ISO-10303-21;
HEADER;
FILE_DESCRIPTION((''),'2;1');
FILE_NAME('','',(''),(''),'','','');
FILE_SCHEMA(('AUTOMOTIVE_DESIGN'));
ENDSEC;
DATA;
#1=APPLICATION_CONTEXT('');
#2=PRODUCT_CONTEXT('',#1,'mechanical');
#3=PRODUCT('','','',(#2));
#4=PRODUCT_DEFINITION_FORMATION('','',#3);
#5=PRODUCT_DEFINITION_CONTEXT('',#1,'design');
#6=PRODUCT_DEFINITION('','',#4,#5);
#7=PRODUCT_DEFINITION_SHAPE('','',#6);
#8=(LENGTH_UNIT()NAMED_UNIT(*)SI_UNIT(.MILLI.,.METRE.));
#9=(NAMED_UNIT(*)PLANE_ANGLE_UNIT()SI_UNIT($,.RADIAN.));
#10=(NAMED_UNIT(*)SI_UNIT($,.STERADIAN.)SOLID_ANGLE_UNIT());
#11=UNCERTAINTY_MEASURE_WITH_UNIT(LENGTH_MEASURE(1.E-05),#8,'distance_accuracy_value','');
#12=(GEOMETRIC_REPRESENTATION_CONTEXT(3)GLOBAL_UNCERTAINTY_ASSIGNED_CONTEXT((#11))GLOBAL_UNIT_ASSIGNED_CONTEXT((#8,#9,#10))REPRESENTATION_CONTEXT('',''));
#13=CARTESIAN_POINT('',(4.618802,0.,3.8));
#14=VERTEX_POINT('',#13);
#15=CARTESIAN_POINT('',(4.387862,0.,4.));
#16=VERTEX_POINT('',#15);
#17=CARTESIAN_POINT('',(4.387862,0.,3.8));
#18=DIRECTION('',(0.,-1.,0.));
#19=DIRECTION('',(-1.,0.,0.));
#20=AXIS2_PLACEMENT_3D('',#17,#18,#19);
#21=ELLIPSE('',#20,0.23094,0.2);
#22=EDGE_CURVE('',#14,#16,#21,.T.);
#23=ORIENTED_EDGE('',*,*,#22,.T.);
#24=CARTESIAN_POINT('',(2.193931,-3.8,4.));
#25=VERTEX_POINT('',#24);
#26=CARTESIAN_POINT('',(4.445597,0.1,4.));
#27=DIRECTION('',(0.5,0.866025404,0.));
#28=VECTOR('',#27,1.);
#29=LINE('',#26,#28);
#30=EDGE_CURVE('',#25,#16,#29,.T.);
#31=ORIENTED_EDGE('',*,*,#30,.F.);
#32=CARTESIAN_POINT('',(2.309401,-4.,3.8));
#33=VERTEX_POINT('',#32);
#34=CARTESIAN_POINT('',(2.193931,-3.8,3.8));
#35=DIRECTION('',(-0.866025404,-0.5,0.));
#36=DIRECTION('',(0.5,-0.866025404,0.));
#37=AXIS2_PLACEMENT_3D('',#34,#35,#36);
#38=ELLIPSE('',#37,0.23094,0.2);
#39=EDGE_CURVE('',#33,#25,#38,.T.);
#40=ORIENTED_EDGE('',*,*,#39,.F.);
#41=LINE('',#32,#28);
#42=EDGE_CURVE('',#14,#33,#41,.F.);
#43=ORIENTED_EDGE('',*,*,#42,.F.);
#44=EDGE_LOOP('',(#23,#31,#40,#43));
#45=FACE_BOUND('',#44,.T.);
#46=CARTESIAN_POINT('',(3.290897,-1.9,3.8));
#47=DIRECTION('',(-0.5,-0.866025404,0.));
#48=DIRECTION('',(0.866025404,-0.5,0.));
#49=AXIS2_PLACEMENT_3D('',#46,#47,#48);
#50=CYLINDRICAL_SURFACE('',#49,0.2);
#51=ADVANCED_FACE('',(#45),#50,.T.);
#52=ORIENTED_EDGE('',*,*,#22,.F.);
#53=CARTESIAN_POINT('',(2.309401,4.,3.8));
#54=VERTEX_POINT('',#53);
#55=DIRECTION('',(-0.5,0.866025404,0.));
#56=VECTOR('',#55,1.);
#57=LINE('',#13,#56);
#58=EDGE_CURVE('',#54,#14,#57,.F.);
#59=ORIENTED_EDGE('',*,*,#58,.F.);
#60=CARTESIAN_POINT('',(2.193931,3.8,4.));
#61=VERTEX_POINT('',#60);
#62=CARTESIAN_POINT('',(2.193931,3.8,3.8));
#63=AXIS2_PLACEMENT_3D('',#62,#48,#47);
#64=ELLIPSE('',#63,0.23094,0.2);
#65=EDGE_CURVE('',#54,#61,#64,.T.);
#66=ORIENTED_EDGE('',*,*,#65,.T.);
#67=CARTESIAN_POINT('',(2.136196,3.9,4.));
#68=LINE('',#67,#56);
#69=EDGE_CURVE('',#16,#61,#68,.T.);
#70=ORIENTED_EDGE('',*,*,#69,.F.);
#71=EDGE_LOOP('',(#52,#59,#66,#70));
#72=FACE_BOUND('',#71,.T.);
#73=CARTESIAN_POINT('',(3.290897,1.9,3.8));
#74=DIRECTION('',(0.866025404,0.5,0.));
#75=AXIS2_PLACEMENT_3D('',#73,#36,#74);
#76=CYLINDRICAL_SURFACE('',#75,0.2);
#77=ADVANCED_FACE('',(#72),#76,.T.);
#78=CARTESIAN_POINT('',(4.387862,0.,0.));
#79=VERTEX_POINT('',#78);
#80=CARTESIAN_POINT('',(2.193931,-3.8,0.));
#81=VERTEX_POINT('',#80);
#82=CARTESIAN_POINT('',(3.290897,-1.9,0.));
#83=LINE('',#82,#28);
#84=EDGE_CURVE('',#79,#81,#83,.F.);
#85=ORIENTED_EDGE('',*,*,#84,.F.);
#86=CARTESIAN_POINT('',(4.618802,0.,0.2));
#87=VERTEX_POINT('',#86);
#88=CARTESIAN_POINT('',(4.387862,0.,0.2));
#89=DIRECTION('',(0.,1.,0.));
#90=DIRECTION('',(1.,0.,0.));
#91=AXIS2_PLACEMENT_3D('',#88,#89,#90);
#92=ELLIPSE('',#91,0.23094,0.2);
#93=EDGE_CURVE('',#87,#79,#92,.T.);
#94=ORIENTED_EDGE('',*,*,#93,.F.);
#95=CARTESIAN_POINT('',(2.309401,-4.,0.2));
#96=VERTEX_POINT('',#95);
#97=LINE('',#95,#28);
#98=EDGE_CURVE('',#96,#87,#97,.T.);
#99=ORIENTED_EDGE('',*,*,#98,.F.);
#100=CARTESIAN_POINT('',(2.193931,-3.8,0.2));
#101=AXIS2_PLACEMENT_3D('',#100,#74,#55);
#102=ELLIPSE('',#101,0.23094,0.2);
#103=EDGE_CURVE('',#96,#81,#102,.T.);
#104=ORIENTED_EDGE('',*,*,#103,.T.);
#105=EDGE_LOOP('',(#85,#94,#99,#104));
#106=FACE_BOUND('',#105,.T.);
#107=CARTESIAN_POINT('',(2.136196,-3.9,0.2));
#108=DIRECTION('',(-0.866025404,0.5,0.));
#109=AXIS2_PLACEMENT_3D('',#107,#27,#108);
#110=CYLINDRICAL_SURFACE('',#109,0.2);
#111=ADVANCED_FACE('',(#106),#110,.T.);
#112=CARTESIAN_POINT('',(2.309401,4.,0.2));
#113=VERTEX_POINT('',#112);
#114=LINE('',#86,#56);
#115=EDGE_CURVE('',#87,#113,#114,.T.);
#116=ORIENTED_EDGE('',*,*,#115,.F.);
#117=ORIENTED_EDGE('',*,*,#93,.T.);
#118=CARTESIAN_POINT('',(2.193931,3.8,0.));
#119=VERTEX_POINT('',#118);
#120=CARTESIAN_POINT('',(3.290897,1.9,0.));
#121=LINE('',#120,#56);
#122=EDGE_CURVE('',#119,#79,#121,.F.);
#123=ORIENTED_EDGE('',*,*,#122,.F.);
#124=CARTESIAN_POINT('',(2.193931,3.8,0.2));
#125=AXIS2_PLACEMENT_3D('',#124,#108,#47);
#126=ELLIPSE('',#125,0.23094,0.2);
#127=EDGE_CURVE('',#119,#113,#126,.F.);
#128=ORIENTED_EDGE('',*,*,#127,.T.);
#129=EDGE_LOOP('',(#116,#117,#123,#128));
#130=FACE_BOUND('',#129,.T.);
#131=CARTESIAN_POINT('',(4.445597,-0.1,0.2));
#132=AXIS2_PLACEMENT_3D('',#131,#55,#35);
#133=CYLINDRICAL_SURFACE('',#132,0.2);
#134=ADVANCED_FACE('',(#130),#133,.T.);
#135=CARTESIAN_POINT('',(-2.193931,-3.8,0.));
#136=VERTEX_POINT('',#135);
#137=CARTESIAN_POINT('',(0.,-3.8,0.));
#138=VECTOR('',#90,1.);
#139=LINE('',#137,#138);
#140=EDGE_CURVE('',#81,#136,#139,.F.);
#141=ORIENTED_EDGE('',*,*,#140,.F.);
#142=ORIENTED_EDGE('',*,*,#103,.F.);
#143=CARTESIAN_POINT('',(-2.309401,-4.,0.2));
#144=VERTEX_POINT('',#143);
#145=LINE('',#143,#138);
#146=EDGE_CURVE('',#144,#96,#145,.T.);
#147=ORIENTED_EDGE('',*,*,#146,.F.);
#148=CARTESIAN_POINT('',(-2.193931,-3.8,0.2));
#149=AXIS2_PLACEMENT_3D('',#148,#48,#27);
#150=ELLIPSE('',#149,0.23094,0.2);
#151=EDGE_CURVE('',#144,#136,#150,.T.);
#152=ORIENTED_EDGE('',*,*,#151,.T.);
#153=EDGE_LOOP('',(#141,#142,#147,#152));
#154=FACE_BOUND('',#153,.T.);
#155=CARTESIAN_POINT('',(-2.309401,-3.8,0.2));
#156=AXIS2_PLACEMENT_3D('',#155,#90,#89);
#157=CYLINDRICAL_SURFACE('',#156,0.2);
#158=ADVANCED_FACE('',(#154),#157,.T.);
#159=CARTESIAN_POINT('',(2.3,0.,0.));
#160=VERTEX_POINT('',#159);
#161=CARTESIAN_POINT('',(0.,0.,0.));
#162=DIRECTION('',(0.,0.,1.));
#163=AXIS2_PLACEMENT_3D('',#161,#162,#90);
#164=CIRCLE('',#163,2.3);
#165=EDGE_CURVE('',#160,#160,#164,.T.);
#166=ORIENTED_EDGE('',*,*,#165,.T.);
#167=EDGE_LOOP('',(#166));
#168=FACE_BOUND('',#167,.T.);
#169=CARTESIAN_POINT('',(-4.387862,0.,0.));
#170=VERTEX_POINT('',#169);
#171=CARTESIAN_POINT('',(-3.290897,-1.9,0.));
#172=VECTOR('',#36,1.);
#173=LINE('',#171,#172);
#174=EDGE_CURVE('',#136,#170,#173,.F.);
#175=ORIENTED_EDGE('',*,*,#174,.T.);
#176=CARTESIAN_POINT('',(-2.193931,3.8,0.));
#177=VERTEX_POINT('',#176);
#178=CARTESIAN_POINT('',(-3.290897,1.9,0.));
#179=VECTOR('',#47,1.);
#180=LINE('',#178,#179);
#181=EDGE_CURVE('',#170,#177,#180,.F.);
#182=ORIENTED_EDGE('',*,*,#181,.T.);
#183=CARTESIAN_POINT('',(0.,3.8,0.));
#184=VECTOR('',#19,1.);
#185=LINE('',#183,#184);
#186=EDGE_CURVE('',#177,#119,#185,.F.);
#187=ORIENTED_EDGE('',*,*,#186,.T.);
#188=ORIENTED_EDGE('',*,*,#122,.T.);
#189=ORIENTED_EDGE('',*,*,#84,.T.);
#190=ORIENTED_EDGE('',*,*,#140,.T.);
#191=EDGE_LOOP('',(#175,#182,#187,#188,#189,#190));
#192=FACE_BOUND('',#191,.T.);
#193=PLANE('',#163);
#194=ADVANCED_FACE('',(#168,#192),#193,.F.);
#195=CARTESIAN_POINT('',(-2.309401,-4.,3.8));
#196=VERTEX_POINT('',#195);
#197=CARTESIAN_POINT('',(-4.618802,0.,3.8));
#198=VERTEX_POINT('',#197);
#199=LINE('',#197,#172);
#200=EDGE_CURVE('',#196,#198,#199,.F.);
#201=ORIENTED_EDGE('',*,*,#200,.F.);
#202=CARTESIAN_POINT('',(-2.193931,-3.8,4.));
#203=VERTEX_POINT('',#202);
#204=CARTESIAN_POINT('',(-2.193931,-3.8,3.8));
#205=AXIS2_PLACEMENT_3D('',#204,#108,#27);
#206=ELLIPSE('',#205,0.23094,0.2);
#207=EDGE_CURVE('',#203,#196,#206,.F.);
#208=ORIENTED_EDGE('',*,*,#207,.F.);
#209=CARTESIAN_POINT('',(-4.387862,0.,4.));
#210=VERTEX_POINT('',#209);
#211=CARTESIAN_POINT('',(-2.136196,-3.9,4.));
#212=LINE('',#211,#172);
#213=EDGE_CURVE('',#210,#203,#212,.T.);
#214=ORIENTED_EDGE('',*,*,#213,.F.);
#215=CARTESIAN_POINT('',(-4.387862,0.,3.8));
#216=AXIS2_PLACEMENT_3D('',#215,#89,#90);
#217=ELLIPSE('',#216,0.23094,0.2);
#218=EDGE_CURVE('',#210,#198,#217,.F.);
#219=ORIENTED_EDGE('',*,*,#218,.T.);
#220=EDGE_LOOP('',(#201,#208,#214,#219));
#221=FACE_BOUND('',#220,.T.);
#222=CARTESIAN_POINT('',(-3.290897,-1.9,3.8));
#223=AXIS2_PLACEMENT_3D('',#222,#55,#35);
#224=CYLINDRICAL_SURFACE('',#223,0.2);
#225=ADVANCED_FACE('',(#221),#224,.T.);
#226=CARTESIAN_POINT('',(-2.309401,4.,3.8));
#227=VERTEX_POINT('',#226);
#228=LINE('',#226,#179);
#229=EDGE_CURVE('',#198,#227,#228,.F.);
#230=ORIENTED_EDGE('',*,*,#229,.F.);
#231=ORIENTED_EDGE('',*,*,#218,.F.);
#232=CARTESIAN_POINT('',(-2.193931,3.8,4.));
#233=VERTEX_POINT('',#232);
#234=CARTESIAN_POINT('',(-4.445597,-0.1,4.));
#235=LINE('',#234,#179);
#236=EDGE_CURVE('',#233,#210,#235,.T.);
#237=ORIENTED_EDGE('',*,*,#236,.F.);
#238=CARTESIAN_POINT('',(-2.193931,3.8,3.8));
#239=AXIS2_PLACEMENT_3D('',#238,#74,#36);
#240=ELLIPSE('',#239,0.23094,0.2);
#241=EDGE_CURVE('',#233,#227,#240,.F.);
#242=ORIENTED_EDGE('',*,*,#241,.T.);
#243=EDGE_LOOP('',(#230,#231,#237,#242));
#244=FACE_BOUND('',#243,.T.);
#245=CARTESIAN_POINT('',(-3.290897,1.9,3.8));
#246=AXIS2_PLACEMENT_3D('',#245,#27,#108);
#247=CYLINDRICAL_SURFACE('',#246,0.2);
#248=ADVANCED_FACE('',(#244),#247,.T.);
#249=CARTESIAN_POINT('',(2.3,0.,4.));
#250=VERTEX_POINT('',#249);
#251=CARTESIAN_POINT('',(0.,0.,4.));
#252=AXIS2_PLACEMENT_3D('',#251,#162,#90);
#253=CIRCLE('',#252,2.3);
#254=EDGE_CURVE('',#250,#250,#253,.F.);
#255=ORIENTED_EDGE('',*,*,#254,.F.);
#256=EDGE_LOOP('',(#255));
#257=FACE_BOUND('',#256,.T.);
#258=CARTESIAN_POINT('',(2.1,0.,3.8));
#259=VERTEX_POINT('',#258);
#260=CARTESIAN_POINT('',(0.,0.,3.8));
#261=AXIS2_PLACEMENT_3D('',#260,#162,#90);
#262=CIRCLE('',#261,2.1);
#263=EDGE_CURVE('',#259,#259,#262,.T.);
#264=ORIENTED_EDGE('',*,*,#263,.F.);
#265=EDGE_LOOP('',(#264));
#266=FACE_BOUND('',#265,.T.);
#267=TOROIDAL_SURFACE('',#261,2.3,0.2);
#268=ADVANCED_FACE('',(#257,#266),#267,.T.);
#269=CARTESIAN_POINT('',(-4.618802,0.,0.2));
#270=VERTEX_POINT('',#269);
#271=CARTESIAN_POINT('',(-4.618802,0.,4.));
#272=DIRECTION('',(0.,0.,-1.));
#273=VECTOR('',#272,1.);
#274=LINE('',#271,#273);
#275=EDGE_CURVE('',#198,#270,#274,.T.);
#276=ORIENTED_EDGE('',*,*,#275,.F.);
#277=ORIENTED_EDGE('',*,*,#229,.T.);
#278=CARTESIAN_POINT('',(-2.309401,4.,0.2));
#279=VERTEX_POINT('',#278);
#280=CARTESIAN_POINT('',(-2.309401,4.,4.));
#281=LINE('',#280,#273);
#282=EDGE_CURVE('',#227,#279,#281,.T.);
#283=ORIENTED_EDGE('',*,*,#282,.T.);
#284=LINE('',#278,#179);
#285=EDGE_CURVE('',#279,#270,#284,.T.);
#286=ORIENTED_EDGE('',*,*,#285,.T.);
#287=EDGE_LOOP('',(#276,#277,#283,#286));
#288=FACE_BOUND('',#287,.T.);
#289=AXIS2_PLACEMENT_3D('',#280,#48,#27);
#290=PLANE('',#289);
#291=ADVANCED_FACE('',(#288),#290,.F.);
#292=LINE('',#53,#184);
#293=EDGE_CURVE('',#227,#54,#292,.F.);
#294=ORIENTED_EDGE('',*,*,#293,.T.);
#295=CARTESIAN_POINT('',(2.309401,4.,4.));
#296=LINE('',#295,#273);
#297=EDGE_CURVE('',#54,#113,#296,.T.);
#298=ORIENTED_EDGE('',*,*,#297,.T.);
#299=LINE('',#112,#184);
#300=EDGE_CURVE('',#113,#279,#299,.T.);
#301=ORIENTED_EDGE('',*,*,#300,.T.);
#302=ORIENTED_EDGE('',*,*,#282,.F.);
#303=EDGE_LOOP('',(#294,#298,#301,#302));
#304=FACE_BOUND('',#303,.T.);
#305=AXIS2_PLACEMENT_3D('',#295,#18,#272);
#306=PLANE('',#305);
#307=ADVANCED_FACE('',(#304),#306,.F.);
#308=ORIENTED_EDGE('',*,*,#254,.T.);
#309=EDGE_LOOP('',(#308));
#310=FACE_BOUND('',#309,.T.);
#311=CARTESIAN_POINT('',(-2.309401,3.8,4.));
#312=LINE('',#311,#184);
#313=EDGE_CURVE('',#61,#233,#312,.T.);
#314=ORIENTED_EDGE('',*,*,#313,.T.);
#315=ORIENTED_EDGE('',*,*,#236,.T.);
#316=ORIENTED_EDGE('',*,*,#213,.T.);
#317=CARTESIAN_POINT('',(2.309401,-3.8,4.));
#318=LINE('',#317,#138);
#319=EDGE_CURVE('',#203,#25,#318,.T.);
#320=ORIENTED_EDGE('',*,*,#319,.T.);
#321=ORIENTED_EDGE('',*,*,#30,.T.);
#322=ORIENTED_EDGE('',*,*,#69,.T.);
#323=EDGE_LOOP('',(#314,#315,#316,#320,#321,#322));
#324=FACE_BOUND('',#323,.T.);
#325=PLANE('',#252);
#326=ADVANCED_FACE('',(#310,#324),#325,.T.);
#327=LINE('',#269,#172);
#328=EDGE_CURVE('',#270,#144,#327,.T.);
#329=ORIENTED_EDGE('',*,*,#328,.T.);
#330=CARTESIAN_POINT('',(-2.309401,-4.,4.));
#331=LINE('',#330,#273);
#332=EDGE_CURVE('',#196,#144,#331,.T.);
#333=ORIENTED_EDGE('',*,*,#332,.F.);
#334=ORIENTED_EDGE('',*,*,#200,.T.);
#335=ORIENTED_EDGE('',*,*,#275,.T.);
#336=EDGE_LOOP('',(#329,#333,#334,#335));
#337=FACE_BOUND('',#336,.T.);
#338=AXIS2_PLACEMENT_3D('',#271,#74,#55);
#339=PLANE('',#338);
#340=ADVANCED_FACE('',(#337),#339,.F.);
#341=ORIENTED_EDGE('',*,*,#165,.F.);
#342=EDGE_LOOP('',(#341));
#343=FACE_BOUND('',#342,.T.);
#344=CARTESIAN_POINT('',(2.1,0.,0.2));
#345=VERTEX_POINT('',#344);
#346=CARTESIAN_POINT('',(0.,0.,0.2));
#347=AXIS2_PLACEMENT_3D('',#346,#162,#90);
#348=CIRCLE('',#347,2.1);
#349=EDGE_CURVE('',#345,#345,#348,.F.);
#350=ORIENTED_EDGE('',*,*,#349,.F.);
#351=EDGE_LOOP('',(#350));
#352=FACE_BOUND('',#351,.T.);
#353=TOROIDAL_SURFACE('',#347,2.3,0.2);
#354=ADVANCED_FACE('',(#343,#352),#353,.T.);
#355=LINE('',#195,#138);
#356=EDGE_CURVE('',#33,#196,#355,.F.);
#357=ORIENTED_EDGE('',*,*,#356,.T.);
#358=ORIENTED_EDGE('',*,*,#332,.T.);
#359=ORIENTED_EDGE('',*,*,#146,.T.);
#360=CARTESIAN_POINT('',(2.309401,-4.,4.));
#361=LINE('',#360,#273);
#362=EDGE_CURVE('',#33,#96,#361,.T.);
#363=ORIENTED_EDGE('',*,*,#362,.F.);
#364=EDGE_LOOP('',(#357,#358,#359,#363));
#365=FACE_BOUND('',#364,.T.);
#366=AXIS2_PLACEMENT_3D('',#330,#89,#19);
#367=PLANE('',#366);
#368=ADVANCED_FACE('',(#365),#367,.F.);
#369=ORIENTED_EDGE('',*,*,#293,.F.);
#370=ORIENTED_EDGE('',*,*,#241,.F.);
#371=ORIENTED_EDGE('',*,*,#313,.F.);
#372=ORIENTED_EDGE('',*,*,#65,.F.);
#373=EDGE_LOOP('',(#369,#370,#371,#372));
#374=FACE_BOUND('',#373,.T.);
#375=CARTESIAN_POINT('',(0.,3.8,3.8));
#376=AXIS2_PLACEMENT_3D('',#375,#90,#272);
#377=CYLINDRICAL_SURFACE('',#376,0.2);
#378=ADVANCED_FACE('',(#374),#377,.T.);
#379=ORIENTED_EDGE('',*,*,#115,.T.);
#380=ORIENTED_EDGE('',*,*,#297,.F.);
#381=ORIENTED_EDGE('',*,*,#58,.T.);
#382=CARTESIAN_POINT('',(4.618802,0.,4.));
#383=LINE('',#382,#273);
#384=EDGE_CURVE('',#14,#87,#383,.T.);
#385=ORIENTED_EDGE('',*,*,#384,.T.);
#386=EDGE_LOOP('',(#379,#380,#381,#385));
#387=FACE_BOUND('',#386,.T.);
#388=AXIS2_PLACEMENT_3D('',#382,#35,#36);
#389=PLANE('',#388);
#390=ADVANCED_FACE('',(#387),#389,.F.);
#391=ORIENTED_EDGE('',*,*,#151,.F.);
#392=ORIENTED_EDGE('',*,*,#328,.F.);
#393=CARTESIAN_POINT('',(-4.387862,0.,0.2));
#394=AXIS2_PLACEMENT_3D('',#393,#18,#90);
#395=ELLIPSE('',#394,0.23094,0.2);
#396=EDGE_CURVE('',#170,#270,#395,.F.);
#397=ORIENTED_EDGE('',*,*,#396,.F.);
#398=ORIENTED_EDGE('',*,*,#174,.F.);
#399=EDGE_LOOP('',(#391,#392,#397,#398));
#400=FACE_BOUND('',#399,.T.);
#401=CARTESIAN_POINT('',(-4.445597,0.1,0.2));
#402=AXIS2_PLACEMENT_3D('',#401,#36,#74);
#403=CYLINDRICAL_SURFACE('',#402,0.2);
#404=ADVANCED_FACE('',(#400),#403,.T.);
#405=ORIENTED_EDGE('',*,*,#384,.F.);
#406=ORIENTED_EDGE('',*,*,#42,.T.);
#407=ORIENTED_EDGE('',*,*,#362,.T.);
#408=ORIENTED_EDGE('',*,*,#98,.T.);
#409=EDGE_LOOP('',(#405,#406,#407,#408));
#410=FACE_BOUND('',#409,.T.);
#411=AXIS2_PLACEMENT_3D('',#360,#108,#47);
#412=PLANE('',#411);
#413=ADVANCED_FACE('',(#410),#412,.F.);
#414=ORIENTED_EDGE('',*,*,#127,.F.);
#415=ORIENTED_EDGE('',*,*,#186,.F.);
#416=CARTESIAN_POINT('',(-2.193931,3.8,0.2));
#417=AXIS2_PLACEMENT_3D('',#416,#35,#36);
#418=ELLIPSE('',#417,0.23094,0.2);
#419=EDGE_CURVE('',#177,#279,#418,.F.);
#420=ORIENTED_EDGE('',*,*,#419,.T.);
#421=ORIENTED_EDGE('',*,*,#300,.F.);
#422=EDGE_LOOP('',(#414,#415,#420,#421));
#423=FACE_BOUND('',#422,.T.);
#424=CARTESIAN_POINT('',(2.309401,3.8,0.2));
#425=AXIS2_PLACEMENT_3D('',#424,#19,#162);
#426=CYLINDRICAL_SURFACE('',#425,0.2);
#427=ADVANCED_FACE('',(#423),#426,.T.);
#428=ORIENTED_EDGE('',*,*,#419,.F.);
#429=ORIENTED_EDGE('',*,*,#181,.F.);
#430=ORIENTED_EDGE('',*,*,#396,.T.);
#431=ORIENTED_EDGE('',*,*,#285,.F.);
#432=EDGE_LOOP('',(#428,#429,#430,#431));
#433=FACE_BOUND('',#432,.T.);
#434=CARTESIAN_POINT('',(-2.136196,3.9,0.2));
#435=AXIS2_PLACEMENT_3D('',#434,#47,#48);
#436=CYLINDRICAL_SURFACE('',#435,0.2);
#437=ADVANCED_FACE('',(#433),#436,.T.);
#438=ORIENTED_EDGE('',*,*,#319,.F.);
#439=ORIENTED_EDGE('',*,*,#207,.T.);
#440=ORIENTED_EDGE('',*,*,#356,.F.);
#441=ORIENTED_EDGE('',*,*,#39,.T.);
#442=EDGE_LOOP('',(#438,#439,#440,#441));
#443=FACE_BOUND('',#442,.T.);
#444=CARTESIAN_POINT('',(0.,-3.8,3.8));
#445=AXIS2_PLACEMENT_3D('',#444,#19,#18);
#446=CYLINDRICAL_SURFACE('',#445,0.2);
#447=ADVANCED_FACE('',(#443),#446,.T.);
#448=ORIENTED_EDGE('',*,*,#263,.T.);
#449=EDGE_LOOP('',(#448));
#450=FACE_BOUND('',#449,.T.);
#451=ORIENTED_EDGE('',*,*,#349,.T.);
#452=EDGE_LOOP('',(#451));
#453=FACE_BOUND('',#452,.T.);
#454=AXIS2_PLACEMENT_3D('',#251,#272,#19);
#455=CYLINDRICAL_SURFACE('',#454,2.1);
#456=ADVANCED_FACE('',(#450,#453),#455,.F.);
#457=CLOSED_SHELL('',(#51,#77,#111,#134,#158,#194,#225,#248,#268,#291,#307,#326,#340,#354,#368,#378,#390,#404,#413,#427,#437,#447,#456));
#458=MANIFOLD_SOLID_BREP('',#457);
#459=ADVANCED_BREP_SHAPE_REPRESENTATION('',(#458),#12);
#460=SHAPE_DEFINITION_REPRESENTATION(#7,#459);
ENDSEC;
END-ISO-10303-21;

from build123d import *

# Parameters (mm, degrees)
SKETCH1_R           = 2.1
BOSS_EXTRUDE1_DEPTH = 4
FILLET1_R           = 0.2


with BuildPart() as part:
    # Sketch1 → Boss-Extrude1 (new body)
    with BuildSketch(Plane.XY):
        Polygon((4.618802154, 0), (2.309401077, 4), (-2.309401077, 4), (-4.618802154, 0), (-2.309401077, -4), (2.309401077, -4), align=None)
        Circle(SKETCH1_R, mode=Mode.SUBTRACT)
    extrude(amount=BOSS_EXTRUDE1_DEPTH)

    # Fillet1
    fillet1_edges = [part.edges().sort_by_distance(p)[0] for p in [
        (0, 4, 4),
        (-3.464101615, 2, 4),
        (-3.464101615, -2, 4),
        (-2.1, 0, 0),
        (-2.1, 0, 4),
        (0, -4, 4),
        (3.464101615, -2, 4),
        (0, -4, 0),
        (-3.464101615, -2, 0),
        (-3.464101615, 2, 0),
        (3.464101615, 2, 4),
        (0, 4, 0),
        (3.464101615, 2, 0),
        (3.464101615, -2, 0),
    ]]
    fillet(fillet1_edges, radius=FILLET1_R)


solid = part.part
